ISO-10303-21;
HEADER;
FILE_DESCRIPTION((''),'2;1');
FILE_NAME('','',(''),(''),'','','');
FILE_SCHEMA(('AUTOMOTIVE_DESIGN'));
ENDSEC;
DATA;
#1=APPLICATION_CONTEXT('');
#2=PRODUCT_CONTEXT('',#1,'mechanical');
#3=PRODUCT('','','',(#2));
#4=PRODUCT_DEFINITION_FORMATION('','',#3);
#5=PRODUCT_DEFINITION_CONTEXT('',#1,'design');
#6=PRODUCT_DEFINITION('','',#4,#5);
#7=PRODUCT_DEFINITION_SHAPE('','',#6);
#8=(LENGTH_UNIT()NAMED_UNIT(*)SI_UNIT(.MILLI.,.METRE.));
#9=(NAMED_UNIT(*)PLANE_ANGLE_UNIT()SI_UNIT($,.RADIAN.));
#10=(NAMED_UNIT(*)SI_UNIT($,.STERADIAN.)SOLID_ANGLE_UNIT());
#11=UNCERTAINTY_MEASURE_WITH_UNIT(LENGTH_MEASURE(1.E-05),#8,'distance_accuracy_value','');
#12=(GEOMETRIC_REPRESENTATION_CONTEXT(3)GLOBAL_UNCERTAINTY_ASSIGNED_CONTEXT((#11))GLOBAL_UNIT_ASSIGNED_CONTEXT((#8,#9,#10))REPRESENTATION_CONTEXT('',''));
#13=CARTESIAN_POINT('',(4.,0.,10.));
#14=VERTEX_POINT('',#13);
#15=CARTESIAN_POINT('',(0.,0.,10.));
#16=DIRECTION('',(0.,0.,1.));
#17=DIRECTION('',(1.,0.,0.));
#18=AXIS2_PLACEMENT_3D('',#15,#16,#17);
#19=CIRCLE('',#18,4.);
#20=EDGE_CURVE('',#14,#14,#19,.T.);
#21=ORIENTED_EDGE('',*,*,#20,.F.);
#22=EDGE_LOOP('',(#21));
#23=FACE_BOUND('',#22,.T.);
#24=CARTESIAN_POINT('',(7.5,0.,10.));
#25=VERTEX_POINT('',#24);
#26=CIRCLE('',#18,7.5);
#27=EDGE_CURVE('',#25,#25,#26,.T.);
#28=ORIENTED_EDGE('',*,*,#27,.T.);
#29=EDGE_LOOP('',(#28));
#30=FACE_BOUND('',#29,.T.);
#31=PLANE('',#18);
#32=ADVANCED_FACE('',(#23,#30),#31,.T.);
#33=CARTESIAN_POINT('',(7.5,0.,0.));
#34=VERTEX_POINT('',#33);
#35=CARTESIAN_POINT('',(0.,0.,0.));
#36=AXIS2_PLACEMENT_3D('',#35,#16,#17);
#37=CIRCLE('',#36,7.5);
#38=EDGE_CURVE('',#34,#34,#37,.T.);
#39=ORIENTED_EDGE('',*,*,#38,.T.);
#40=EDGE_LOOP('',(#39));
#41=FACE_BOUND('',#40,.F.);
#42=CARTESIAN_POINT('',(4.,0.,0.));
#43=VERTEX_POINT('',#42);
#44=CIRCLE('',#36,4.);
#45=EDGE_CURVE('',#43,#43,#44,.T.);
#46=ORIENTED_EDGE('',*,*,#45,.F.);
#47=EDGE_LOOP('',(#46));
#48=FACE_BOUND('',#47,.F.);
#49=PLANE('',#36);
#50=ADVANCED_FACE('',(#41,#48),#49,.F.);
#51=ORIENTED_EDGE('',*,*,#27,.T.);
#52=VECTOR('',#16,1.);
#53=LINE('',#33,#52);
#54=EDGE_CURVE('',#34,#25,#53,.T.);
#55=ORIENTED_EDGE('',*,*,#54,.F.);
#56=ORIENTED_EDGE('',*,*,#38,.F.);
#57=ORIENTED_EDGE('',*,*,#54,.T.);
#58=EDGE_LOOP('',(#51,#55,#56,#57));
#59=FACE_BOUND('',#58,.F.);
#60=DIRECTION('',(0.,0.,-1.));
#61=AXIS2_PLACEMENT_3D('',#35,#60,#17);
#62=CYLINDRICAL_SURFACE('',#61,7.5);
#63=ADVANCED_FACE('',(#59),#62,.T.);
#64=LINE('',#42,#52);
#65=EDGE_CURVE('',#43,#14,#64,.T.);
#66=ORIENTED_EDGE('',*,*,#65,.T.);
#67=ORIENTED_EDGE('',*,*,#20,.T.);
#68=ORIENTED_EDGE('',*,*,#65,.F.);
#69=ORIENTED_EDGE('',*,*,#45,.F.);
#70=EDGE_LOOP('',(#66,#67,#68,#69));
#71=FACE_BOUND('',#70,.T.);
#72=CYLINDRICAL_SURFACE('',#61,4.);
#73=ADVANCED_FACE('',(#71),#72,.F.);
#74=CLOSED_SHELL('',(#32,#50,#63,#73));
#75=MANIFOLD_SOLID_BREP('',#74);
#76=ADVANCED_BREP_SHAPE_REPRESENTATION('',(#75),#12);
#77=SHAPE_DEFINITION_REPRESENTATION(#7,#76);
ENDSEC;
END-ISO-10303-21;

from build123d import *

# Parameters (mm, degrees)
F0_R     = 7.5
F0_R_2   = 4
F1_DEPTH = 10
F2_W     = 30
F2_H     = 1


with BuildPart() as f1:
    # F0 (on Top) → F1 (new body)
    with BuildSketch(Plane.XY):
        Circle(F0_R)
        Circle(F0_R_2, mode=Mode.SUBTRACT)
    extrude(amount=F1_DEPTH)


with BuildPart() as f3:
    # F2 (on Front) → F3 (revolve)
    with BuildSketch(Plane.XZ):
        with Locations((31.168116, 42.156867)):
            Rectangle(F2_W, F2_H)
    revolve(axis=Axis((31.168116, 0, 42.656867), (1, 0, 0)))


solid = f1.part
